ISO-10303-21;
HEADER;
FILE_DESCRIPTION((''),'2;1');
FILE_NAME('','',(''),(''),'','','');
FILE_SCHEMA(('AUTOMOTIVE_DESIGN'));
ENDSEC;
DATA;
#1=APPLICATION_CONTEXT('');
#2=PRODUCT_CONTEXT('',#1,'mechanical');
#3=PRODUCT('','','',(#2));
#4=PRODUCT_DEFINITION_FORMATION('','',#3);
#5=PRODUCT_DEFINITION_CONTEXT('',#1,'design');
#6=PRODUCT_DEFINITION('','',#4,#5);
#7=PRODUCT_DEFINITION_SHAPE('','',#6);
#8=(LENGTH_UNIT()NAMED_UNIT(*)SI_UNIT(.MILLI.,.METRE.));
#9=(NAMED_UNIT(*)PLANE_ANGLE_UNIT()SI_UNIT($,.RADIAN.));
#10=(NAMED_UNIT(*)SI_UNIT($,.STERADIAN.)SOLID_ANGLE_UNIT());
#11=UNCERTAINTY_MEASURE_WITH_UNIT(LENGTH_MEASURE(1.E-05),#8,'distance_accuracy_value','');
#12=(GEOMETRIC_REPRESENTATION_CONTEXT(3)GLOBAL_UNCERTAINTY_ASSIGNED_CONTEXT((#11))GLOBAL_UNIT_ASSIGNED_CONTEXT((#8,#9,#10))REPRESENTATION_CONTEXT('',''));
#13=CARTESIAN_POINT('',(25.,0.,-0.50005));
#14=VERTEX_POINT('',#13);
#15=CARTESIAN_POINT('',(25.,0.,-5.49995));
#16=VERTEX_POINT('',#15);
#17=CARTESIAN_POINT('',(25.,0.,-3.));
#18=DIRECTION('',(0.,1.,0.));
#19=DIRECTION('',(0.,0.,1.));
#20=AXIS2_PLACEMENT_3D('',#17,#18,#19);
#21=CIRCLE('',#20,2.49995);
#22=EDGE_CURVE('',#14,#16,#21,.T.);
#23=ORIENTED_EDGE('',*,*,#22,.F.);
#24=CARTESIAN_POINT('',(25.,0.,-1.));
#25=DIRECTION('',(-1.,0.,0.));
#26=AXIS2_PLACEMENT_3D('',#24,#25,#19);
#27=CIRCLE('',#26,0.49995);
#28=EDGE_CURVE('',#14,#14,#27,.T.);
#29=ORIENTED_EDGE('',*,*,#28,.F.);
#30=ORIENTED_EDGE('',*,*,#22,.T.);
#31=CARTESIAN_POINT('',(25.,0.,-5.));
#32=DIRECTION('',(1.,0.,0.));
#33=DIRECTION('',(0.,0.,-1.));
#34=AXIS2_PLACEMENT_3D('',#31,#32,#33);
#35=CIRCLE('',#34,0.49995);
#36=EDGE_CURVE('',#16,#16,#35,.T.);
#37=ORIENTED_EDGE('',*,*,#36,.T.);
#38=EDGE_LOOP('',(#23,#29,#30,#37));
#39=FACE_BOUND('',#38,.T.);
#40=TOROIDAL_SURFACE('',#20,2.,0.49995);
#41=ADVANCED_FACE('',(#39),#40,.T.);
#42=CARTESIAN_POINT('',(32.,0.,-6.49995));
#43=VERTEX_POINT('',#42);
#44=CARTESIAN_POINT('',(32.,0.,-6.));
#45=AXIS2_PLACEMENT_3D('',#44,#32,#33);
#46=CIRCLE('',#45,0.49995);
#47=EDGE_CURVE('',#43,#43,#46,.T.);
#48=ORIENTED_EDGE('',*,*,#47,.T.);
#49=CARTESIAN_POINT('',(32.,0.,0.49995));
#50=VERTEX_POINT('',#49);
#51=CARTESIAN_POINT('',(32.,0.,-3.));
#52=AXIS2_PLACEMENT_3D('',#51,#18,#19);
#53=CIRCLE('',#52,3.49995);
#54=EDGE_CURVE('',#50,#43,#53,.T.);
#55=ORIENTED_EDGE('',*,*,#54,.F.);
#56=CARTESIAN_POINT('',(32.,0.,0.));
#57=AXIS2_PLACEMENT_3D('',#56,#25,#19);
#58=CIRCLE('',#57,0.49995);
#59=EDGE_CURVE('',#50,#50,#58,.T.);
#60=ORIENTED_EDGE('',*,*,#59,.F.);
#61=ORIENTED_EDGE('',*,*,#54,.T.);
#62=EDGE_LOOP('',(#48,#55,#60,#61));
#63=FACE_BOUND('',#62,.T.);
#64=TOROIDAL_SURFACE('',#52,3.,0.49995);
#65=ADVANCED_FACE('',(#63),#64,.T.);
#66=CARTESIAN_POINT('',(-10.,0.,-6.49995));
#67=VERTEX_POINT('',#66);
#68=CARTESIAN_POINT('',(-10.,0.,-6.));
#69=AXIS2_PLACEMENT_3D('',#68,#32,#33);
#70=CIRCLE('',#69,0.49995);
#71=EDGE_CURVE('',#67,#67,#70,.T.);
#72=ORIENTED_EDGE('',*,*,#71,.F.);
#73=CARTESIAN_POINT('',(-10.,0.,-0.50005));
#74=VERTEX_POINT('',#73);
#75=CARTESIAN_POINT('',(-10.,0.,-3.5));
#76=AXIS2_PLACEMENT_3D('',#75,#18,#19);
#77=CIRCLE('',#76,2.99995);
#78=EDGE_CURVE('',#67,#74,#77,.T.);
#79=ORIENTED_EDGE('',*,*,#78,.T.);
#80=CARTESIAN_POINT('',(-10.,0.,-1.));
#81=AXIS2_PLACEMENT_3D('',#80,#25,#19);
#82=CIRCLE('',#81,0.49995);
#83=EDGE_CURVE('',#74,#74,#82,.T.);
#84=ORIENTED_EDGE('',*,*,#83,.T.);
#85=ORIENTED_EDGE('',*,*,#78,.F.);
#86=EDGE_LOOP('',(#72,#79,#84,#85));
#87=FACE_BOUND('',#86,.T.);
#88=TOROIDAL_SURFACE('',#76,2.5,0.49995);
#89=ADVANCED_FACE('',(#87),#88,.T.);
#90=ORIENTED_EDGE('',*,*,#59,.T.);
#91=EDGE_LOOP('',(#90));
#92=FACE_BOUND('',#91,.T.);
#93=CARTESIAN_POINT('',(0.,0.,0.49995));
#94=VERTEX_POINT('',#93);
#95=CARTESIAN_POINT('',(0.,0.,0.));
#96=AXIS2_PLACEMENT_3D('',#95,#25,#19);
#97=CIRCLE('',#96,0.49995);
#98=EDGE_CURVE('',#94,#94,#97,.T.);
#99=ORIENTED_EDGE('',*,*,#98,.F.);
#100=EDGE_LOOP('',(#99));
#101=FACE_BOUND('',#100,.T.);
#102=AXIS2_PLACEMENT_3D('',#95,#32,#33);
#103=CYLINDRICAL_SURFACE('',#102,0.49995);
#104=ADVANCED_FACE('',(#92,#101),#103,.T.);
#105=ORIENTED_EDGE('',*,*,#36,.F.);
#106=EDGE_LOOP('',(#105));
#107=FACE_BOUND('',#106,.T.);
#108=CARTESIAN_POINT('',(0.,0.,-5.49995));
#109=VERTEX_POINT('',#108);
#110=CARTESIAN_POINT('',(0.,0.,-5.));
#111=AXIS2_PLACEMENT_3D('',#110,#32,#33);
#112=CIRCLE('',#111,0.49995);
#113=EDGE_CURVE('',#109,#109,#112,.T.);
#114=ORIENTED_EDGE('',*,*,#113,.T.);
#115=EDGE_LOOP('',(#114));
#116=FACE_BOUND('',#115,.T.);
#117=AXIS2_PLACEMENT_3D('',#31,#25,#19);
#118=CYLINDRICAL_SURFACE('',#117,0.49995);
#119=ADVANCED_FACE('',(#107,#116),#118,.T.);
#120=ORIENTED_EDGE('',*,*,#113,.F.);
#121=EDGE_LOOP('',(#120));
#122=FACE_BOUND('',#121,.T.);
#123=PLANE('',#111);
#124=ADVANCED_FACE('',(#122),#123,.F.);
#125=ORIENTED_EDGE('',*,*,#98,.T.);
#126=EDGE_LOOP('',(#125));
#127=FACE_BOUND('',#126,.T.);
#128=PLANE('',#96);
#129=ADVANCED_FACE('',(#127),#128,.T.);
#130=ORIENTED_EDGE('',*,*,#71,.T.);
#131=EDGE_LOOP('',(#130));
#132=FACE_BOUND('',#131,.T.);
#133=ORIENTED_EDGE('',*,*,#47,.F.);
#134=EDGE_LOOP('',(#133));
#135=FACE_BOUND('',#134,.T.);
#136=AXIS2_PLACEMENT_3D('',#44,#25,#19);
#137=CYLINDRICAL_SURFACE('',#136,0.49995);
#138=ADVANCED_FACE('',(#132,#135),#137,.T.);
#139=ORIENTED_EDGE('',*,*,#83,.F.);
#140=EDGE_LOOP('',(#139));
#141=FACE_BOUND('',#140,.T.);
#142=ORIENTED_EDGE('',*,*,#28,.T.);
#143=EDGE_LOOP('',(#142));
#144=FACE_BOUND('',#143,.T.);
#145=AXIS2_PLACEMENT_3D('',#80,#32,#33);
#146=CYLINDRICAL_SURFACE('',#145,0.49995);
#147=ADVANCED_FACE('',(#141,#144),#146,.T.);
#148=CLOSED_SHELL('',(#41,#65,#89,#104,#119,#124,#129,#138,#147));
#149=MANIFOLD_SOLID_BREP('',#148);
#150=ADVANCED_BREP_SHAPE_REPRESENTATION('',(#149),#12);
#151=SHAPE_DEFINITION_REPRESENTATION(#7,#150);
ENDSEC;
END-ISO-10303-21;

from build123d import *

# Parameters (mm, degrees)
SWEEP1_PROFILE_R = 0.49995


with BuildPart() as part:
    # Sweep1: sweep along a path in Sketch2
    with BuildLine(Plane(origin=(0, 0, 0), x_dir=(1, 0, 0), z_dir=(0, 1, 0))) as sweep1_path:
        Line((0, 0), (32, 0))
        ThreePointArc((32, 0), (35, 3), (32, 6))
        Line((32, 6), (-10, 6))
        ThreePointArc((-10, 6), (-12.5, 3.5), (-10, 1))
        Line((-10, 1), (25, 1))
        ThreePointArc((25, 1), (27, 3), (25, 5))
        Line((25, 5), (0, 5))
    # Sweep1 profile (on start of the path) → Sweep1 (sweep)
    with BuildSketch(Plane(origin=(0, 0, 0), x_dir=(0, 0, 1), z_dir=(1, 0, 0))):
        Circle(SWEEP1_PROFILE_R)
    sweep(path=sweep1_path.line)


solid = part.part
